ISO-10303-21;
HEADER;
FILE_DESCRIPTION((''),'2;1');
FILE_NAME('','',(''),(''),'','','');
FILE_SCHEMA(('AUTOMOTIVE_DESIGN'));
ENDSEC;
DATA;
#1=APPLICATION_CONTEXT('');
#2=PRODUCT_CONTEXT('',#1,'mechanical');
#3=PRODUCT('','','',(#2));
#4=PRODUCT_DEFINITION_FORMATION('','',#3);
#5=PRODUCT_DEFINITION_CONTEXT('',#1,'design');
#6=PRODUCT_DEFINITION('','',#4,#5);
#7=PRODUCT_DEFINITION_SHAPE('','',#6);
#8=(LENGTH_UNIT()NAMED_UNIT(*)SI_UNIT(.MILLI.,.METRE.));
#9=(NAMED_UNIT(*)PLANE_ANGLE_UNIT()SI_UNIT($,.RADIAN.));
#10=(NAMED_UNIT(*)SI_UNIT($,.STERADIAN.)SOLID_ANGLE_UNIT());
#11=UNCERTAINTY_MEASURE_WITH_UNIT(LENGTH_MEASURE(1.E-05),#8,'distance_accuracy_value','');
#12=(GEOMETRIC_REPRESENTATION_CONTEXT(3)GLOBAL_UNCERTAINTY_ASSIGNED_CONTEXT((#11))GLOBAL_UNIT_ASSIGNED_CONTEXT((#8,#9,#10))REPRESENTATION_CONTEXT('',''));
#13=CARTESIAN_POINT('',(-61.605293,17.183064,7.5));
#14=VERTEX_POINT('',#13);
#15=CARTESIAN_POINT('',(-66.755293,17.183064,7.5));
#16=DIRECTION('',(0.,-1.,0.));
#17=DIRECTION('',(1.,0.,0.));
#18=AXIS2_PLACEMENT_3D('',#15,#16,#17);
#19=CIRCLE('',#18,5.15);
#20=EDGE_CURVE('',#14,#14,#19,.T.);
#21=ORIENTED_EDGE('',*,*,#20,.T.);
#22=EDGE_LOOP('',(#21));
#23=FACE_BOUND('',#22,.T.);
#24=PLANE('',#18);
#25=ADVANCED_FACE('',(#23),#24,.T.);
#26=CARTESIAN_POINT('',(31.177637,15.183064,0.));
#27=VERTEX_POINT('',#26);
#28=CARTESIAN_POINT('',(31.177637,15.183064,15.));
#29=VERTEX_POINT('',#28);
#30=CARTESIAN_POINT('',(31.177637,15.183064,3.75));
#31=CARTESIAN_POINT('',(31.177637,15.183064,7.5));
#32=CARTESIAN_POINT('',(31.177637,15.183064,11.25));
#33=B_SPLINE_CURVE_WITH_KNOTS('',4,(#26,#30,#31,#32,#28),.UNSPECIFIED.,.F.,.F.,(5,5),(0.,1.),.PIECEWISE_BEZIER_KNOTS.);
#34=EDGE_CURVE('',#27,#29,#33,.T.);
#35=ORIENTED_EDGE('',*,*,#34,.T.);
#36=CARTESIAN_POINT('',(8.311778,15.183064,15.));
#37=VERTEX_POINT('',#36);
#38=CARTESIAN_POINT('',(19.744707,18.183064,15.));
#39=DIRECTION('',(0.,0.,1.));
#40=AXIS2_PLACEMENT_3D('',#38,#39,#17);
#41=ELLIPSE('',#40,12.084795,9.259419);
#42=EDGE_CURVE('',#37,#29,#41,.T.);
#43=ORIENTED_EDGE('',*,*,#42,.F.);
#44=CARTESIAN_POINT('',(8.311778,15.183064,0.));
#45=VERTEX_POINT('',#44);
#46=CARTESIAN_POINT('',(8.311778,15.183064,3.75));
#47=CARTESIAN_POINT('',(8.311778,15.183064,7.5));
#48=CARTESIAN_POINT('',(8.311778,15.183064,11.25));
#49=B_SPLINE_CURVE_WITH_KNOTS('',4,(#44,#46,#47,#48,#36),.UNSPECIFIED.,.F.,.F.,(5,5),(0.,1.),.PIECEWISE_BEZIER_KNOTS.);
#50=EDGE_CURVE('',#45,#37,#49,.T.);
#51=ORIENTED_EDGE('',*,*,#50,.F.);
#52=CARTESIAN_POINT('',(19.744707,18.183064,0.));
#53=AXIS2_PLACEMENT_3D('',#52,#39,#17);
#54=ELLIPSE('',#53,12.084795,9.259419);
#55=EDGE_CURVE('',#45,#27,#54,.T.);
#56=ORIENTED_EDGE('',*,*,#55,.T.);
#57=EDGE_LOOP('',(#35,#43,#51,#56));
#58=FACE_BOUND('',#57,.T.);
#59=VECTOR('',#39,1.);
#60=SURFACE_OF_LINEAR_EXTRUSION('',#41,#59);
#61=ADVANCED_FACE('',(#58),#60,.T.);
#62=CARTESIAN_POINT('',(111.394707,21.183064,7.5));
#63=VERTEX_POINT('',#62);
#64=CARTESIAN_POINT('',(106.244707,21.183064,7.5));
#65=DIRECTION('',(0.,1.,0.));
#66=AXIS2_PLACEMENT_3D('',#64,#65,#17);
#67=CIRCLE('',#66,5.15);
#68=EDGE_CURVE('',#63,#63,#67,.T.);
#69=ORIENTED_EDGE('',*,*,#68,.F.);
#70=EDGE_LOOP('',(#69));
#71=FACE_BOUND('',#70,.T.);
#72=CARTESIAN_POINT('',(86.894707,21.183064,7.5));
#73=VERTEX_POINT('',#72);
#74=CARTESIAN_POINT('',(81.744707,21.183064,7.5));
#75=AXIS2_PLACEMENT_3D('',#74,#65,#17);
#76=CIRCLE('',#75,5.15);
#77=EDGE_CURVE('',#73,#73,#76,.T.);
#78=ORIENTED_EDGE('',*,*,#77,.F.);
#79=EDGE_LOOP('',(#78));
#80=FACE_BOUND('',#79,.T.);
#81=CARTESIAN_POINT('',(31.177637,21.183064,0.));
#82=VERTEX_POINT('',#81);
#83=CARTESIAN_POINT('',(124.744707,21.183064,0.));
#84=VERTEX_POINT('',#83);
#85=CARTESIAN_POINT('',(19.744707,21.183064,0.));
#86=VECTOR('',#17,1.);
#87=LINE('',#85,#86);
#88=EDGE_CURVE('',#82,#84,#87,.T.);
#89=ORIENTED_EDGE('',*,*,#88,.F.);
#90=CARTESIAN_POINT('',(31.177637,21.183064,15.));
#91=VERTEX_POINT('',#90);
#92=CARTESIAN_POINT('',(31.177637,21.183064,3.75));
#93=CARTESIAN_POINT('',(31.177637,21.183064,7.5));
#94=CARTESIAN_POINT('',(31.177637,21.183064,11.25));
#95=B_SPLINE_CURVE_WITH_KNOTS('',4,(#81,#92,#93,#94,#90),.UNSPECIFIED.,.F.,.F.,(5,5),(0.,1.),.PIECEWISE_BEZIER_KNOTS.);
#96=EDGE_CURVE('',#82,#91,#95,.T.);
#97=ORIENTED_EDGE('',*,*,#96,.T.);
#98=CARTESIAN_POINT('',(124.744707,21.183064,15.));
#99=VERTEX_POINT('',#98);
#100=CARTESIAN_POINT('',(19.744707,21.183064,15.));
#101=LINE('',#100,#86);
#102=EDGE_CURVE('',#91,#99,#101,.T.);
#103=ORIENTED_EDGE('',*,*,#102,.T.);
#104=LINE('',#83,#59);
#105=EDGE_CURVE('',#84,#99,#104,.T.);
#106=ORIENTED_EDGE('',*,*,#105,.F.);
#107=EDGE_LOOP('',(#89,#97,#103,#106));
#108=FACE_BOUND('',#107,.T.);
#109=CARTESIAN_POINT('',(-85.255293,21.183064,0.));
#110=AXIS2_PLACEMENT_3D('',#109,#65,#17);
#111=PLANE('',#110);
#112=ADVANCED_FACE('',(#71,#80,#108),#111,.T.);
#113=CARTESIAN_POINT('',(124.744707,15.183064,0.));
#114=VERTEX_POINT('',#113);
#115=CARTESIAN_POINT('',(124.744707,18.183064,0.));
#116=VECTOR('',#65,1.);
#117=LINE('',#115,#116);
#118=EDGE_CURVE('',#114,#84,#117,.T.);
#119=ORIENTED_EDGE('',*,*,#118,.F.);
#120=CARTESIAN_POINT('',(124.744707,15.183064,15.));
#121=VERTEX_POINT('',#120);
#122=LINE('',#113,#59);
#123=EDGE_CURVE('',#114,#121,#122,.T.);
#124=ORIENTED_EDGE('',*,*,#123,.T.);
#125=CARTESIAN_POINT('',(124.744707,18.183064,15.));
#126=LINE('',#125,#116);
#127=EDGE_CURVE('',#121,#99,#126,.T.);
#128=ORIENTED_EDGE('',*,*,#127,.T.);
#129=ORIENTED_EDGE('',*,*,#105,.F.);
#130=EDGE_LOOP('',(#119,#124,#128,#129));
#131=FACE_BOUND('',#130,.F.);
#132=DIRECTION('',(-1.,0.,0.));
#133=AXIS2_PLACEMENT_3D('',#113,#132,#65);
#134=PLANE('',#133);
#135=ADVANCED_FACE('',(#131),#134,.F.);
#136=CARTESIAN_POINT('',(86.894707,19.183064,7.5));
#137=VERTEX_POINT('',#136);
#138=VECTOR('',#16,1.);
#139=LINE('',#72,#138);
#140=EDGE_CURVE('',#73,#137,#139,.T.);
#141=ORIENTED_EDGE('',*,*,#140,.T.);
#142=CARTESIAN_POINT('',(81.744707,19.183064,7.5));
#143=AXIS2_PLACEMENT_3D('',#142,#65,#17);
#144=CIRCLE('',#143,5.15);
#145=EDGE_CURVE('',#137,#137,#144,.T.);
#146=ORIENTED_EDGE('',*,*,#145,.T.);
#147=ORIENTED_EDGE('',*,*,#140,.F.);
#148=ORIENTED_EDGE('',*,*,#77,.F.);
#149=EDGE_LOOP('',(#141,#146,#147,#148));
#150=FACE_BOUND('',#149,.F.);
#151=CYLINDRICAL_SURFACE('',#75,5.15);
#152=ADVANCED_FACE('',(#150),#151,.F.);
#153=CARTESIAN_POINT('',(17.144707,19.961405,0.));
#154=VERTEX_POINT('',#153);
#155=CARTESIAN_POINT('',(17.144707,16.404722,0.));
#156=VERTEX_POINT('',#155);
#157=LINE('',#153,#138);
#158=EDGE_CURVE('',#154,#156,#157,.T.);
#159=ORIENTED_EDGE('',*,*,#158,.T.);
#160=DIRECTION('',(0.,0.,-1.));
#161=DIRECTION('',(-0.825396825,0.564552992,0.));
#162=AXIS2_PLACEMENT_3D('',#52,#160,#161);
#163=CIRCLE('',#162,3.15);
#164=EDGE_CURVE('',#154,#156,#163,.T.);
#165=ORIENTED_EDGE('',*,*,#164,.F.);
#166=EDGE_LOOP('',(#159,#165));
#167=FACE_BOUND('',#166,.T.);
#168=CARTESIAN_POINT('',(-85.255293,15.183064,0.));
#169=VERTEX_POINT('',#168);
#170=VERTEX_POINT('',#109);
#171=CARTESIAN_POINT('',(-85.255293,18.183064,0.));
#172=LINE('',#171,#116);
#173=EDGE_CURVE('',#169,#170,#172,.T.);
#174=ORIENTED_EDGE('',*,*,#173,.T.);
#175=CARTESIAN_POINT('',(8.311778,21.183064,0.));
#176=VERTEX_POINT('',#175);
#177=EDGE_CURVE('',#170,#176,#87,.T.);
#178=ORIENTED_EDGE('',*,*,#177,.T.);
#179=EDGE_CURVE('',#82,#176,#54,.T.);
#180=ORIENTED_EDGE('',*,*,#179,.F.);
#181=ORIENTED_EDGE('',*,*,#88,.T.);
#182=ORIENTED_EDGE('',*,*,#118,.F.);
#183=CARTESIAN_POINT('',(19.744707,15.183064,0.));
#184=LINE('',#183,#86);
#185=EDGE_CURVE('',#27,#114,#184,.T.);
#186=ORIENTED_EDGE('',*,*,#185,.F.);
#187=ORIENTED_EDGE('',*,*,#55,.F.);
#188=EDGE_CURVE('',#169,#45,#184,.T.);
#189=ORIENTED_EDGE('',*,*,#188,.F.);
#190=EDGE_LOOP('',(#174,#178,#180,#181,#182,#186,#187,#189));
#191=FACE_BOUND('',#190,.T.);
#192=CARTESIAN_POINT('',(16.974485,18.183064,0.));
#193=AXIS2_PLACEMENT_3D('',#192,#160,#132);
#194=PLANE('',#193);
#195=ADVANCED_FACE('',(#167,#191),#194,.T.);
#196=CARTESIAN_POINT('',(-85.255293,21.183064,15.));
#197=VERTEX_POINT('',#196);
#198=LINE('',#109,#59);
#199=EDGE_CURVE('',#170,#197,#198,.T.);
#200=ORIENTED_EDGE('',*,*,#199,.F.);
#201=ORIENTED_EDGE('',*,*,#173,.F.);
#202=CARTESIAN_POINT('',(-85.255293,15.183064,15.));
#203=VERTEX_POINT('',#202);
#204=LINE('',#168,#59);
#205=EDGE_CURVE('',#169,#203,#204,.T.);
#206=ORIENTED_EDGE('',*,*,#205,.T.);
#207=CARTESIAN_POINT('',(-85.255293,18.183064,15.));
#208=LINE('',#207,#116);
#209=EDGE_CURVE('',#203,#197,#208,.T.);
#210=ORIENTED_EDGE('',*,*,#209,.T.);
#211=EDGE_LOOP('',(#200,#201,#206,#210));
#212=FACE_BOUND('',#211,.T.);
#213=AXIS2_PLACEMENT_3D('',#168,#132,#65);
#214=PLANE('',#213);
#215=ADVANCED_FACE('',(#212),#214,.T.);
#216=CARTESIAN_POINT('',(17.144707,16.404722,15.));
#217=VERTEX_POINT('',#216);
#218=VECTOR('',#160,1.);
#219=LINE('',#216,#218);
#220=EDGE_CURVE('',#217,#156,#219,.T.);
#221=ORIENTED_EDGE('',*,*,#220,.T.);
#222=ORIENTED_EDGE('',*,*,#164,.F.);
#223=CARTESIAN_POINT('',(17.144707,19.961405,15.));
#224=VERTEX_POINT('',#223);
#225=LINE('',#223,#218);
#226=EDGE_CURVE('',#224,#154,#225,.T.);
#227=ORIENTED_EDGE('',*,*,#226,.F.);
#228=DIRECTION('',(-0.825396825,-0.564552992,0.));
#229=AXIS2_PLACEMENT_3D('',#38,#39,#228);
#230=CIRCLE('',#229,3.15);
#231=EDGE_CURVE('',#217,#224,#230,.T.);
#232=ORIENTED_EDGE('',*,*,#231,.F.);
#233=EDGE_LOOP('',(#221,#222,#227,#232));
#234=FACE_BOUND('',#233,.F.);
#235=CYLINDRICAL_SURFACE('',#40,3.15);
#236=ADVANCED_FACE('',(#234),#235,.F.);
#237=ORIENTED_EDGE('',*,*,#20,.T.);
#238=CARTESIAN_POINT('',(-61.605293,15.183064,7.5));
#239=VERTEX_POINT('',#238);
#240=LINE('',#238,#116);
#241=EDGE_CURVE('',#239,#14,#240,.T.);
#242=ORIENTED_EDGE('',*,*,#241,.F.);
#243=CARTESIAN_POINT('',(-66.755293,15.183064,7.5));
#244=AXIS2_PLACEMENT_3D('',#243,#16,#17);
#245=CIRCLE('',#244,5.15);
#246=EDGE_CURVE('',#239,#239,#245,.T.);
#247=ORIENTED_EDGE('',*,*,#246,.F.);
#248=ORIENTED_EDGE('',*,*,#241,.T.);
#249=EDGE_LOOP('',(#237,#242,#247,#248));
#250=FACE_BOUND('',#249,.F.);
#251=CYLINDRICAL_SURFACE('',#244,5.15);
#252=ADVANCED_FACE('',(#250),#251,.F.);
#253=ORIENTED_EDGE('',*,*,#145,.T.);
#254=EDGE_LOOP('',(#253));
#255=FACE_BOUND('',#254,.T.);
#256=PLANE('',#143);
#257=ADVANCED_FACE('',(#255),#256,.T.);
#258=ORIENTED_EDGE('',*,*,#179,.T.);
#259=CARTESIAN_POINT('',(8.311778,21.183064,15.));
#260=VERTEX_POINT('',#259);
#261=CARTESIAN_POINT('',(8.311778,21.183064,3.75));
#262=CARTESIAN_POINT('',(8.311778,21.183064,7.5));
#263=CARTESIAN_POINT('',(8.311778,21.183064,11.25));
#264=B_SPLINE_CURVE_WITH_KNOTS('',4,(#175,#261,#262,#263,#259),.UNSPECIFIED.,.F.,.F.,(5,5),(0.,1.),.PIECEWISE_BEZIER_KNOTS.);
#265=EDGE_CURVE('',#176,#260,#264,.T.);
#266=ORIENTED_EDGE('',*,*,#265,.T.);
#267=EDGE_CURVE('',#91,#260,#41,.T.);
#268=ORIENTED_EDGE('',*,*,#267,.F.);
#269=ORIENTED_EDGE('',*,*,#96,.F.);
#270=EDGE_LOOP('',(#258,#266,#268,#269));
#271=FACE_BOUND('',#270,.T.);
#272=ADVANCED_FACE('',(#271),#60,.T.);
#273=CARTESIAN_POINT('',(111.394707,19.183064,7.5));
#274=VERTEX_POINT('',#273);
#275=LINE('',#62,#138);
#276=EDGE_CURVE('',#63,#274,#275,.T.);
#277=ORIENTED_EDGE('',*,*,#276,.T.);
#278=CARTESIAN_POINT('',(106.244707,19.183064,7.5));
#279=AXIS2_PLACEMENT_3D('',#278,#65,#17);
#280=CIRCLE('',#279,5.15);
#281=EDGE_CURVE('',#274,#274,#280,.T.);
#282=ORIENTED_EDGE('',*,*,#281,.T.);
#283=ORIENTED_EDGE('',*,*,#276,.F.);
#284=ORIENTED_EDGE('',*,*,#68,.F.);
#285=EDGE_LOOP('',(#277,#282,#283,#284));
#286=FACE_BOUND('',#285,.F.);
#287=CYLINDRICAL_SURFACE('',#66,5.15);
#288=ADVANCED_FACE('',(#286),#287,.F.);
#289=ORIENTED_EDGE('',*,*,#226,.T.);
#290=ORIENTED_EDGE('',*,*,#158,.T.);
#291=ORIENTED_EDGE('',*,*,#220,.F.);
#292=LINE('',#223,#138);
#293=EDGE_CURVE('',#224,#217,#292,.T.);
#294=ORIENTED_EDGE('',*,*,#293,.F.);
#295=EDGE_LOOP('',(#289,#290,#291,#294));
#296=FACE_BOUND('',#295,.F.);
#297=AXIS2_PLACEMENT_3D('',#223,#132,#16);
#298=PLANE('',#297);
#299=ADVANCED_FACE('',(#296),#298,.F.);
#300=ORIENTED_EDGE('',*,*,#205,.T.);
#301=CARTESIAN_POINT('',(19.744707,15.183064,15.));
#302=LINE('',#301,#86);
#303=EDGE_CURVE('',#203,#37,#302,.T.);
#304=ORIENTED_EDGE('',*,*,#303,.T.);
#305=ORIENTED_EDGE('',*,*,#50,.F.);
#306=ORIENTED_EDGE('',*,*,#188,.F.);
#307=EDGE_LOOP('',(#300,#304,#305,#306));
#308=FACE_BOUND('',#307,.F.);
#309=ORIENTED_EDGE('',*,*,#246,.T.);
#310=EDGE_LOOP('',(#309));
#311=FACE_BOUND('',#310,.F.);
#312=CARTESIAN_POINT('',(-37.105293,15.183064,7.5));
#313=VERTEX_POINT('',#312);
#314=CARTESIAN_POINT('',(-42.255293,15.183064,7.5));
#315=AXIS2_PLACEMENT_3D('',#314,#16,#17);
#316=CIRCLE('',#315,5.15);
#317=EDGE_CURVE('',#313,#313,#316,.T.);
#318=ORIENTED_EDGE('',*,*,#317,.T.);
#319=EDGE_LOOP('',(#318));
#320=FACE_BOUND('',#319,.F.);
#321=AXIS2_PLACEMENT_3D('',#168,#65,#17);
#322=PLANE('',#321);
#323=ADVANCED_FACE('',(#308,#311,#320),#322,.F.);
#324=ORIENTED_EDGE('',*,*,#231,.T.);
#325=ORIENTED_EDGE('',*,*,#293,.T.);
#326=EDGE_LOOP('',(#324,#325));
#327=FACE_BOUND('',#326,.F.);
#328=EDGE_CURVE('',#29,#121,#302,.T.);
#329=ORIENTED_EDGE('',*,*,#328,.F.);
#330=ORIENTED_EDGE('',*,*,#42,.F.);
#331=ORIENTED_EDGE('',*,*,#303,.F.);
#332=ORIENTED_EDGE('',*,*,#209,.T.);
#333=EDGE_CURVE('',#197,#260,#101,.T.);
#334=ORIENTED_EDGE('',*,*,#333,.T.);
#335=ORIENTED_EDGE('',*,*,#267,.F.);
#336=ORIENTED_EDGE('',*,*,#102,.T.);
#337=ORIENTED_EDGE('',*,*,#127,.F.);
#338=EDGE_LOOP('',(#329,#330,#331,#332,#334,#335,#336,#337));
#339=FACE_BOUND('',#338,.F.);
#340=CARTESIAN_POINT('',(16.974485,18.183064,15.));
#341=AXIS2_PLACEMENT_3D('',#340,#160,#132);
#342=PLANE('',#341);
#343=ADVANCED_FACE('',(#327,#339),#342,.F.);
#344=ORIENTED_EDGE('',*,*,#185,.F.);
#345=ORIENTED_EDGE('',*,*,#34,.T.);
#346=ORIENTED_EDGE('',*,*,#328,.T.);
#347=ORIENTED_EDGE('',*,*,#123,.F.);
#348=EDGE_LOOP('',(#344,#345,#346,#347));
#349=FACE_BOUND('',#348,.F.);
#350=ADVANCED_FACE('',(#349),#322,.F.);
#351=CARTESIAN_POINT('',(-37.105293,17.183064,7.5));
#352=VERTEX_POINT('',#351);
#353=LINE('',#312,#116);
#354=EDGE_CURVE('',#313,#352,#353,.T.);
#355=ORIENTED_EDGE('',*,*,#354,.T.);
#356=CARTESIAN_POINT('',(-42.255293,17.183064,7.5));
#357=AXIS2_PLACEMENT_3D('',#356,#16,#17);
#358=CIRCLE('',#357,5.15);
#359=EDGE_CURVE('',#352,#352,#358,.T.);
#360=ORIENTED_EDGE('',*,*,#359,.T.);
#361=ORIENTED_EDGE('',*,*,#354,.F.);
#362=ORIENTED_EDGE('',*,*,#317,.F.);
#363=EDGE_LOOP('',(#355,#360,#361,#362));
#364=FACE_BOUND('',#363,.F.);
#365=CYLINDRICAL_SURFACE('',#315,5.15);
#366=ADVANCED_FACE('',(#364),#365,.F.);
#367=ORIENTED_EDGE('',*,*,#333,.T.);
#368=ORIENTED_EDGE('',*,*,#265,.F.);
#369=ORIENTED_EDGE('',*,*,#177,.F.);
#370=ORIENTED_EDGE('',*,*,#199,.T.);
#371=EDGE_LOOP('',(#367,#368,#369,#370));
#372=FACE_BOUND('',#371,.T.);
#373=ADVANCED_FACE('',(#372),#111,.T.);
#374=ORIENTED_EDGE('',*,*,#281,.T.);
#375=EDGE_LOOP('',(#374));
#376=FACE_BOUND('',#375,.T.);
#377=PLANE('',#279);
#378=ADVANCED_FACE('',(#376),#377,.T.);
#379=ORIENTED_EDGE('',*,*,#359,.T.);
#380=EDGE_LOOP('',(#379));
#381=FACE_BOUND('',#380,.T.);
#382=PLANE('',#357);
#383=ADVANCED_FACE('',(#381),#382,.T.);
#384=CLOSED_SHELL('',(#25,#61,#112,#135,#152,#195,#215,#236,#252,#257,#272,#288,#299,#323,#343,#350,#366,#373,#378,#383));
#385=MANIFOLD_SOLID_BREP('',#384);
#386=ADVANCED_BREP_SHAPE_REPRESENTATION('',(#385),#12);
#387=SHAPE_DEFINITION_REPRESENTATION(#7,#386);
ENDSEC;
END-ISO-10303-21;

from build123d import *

# Parameters (mm, degrees)
SKETCH1_W           = 210
SKETCH1_H           = 6
BOSS_EXTRUDE1_DEPTH = 15
SKETCH2_RX          = 12.084795348
SKETCH2_RY          = 9.25941939
BOSS_EXTRUDE2_DEPTH = 15
SKETCH3_R           = 3.15
CUT_EXTRUDE1_DEPTH  = 15
BOSS_EXTRUDE3_DEPTH = 15
SKETCH5_R           = 5.15
CUT_EXTRUDE2_DEPTH  = 2
SKETCH6_R           = 5.15
CUT_EXTRUDE3_DEPTH  = 2


with BuildPart() as part:
    # Sketch1 → Boss-Extrude1 (new body)
    with BuildSketch(Plane.XY):
        with Locations((19.744707347, 18.183063512)):
            Rectangle(SKETCH1_W, SKETCH1_H)
    extrude(amount=BOSS_EXTRUDE1_DEPTH)

    # Sketch2 → Boss-Extrude2 (add)
    with BuildSketch(Plane.XY.offset(15)):
        with Locations((19.744707347, 18.183063512)):
            Ellipse(SKETCH2_RX, SKETCH2_RY)
    extrude(amount=-BOSS_EXTRUDE2_DEPTH)

    # Sketch3 → Cut-Extrude1 (cut)
    with BuildSketch(Plane.XY.offset(15)):
        with Locations((19.744707347, 18.183063512)):
            Circle(SKETCH3_R)
    extrude(amount=-CUT_EXTRUDE1_DEPTH, mode=Mode.SUBTRACT)

    # Sketch4 → Boss-Extrude3 (add)
    with BuildSketch(Plane.XY.offset(15)):
        with BuildLine():
            Line((17.144707347, 19.961405436), (17.144707347, 16.404721587))
            ThreePointArc((17.144707347, 16.404721587), (16.583900133, 18.183063512), (17.144707347, 19.961405436))
        make_face()
    extrude(amount=-BOSS_EXTRUDE3_DEPTH)

    # Sketch5 → Cut-Extrude2 (cut)
    with BuildSketch(Plane.XZ.offset(-15.183063512)):
        with Locations((-42.255292653, 7.5)):
            Circle(SKETCH5_R)
        with Locations((-66.755292653, 7.5)):
            Circle(SKETCH5_R)
    extrude(amount=-CUT_EXTRUDE2_DEPTH, mode=Mode.SUBTRACT)

    # Sketch6 → Cut-Extrude3 (cut)
    with BuildSketch(Plane(origin=(0, 21.183063512, 0), x_dir=(1, 0, 0), z_dir=(0, 1, 0))):
        with Locations((81.744707347, -7.5)):
            Circle(SKETCH6_R)
        with Locations((106.244707347, -7.5)):
            Circle(SKETCH6_R)
    extrude(amount=-CUT_EXTRUDE3_DEPTH, mode=Mode.SUBTRACT)


solid = part.part
